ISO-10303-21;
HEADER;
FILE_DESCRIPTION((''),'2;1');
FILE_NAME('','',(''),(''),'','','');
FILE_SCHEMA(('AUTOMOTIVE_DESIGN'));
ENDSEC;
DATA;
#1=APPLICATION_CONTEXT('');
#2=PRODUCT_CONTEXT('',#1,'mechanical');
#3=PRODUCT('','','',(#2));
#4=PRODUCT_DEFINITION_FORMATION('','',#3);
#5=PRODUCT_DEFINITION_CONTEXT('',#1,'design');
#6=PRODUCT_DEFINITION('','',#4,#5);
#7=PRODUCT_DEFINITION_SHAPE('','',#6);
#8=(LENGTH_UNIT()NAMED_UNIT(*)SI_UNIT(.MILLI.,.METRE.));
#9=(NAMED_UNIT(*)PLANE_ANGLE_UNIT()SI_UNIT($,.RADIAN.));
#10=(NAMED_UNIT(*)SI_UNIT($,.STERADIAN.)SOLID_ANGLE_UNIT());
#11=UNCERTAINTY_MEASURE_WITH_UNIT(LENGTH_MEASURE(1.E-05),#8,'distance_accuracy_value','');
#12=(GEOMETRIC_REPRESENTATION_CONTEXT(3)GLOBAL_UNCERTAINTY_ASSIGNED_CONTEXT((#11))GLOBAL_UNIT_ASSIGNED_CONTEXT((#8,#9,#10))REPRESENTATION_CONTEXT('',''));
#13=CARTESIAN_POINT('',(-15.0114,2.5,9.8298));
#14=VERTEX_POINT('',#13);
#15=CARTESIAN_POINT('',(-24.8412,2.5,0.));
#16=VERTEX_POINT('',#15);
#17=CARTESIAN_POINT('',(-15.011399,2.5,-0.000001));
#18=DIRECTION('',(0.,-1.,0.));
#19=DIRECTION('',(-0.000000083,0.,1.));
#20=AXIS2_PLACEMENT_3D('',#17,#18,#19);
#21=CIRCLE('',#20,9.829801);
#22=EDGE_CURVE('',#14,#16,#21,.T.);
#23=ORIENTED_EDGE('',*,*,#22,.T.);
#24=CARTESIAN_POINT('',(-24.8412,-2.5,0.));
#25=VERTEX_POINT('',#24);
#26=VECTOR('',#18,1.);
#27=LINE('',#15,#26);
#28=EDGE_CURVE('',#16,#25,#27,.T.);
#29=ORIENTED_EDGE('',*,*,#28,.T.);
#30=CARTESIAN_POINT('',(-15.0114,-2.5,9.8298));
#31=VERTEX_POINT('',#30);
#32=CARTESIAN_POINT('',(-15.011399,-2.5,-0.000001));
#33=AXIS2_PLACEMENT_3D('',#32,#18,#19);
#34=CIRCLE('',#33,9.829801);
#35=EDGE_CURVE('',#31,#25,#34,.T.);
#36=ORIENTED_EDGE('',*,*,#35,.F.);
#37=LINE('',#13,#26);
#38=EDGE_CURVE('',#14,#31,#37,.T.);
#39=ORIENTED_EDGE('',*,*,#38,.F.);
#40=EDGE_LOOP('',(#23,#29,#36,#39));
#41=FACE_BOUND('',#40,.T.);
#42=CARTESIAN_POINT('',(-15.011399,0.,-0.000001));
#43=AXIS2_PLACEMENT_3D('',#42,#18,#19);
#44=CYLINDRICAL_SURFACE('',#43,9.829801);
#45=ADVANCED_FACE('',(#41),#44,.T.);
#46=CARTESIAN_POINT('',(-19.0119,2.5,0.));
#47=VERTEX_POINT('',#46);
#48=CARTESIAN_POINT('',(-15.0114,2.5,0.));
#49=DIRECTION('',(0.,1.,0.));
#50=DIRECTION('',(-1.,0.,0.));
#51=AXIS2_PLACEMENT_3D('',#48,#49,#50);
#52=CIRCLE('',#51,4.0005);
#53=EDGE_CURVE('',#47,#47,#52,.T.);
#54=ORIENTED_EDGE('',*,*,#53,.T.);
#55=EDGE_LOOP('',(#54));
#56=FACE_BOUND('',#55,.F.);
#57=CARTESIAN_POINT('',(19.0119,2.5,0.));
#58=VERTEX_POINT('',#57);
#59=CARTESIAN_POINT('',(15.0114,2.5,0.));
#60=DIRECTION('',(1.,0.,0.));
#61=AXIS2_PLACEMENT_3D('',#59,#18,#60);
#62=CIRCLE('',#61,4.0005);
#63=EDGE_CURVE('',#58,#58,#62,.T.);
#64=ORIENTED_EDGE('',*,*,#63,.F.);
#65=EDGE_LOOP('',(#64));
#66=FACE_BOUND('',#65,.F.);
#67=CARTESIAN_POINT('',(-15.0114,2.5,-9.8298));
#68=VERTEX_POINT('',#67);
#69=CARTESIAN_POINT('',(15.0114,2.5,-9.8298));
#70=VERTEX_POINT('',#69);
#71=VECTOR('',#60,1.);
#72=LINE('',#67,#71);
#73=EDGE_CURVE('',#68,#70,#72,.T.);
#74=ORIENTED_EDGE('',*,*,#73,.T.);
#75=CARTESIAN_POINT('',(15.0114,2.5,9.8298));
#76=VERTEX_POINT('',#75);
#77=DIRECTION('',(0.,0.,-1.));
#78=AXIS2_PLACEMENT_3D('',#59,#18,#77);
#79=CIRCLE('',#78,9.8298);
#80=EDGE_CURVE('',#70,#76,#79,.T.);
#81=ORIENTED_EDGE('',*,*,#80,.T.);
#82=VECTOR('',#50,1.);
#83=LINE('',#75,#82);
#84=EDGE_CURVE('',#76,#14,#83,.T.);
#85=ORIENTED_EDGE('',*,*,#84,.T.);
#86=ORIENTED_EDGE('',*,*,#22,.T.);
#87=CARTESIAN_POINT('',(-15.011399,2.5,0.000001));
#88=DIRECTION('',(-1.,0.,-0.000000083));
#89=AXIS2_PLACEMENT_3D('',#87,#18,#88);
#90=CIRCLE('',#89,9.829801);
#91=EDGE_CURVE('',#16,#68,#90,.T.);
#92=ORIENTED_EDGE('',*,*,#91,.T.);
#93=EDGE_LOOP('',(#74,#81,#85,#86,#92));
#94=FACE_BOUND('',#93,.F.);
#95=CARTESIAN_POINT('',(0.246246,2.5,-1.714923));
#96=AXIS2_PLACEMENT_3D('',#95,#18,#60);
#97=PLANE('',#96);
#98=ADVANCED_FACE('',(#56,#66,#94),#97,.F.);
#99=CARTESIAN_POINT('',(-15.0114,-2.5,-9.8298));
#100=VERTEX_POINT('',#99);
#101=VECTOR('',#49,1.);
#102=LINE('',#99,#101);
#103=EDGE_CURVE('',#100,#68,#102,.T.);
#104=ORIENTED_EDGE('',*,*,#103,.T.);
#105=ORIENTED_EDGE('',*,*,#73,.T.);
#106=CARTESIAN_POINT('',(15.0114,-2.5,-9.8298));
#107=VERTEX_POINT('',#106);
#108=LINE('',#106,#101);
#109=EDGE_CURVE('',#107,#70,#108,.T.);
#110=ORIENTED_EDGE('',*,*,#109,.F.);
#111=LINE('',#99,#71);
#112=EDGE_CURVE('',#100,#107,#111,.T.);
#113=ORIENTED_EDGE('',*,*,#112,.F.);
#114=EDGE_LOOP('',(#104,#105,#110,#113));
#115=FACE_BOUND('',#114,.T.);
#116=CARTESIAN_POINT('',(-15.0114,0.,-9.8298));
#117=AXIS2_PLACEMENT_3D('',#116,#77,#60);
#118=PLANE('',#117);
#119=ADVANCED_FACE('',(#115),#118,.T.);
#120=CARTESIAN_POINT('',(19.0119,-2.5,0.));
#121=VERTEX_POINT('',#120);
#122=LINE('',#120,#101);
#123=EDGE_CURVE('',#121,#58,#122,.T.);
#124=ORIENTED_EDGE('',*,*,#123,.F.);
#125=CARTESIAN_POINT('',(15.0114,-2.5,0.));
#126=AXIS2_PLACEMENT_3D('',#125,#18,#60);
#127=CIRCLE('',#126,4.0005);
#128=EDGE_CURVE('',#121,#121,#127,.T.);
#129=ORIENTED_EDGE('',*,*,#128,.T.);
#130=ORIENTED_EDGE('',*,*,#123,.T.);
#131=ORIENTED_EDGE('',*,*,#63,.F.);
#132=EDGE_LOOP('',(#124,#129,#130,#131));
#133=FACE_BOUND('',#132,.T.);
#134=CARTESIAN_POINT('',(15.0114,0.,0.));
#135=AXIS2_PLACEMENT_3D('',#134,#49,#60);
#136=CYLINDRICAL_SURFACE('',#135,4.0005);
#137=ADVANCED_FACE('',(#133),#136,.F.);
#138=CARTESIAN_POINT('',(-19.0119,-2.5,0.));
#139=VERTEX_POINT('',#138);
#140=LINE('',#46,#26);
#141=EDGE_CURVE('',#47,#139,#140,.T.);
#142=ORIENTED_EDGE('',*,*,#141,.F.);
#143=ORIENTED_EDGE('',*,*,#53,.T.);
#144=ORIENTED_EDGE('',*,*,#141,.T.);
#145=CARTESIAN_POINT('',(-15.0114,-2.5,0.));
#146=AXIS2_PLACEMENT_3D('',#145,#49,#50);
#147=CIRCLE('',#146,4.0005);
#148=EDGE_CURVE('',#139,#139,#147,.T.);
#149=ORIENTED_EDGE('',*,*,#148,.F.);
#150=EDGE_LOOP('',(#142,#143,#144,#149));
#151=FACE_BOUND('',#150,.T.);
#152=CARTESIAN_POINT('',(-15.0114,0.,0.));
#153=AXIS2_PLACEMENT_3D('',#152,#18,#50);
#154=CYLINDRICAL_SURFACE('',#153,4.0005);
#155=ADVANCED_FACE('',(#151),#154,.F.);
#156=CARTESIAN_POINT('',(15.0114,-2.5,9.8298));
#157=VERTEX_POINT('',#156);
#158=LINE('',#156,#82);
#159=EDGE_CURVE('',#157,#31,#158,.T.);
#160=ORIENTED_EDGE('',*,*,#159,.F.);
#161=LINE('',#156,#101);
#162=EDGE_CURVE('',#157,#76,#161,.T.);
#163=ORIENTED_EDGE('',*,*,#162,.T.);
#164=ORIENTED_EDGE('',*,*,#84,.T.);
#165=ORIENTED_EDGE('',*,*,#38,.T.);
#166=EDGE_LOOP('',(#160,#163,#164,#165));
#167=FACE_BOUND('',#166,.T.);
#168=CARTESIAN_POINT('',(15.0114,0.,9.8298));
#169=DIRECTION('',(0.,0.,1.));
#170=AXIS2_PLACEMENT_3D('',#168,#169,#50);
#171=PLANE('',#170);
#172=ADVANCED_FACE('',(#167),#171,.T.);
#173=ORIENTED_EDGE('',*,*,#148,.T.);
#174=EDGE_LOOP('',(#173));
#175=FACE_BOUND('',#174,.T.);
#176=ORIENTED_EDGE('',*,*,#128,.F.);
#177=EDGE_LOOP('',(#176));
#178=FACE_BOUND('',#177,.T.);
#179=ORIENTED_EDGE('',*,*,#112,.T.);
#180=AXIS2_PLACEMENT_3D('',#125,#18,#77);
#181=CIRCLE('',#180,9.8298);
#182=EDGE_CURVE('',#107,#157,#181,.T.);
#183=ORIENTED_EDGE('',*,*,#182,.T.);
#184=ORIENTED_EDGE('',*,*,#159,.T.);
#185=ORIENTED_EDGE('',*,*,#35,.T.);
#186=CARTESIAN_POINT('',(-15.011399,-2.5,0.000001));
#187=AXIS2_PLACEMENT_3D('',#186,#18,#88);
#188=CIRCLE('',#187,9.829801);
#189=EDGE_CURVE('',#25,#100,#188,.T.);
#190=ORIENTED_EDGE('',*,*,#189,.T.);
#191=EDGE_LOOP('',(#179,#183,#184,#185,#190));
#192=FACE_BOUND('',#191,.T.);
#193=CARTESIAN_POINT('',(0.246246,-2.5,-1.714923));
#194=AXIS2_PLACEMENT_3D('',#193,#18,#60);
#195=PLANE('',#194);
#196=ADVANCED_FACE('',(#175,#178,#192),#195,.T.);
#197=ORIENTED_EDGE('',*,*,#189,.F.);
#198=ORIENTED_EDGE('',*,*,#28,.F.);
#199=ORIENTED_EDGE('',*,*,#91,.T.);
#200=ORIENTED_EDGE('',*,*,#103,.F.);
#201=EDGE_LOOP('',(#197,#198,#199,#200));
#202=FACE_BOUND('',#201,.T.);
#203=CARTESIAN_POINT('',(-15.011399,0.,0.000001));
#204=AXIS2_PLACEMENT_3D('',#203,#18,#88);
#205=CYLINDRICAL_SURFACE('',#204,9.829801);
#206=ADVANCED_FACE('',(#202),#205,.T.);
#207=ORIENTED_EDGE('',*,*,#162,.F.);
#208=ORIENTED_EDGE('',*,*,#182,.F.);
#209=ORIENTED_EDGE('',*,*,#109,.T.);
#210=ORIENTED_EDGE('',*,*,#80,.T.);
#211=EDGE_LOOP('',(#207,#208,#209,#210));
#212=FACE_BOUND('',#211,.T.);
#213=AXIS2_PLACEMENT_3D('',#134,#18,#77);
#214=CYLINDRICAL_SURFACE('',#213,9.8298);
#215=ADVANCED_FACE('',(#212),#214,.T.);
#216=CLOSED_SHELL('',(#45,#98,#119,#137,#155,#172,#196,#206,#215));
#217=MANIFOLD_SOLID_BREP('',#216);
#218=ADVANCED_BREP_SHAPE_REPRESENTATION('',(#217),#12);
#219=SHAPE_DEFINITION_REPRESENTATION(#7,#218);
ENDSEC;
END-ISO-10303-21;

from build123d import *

# Parameters (mm, degrees)
F0_R     = 4.0005
F1_DEPTH = 2.5


with BuildPart() as f1:
    # F0 (on Front) → F1 (new body, symmetric)
    with BuildSketch(Plane.XZ):
        with BuildLine():
            Line((0, 9.8298), (0, 0))
            Line((0, 0), (-11.0109, 0))
            ThreePointArc((-11.0109, 0), (-15.0114, -4.0005), (-19.0119, 0))
            Line((-19.0119, 0), (-24.8412, 0))
            ThreePointArc((-24.8412, 0), (-21.962118, -6.950718), (-15.0114, -9.8298))
            Line((-15.0114, -9.8298), (0, -9.8298))
            Line((0, -9.8298), (15.0114, -9.8298))
            ThreePointArc((15.0114, -9.8298), (24.8412, 0), (15.0114, 9.8298))
            Line((15.0114, 9.8298), (0, 9.8298))
        make_face()
        with Locations((15.0114, 0)):
            Circle(F0_R, mode=Mode.SUBTRACT)
        with BuildLine():
            Line((-11.0109, 0), (0, 0))
            Line((0, 0), (0, 9.8298))
            Line((0, 9.8298), (-15.0114, 9.8298))
            ThreePointArc((-15.0114, 9.8298), (-21.962118, 6.950718), (-24.8412, 0))
            Line((-24.8412, 0), (-19.0119, 0))
            ThreePointArc((-19.0119, 0), (-15.0114, 4.0005), (-11.0109, 0))
        make_face()
    extrude(amount=F1_DEPTH, both=True)


solid = f1.part
